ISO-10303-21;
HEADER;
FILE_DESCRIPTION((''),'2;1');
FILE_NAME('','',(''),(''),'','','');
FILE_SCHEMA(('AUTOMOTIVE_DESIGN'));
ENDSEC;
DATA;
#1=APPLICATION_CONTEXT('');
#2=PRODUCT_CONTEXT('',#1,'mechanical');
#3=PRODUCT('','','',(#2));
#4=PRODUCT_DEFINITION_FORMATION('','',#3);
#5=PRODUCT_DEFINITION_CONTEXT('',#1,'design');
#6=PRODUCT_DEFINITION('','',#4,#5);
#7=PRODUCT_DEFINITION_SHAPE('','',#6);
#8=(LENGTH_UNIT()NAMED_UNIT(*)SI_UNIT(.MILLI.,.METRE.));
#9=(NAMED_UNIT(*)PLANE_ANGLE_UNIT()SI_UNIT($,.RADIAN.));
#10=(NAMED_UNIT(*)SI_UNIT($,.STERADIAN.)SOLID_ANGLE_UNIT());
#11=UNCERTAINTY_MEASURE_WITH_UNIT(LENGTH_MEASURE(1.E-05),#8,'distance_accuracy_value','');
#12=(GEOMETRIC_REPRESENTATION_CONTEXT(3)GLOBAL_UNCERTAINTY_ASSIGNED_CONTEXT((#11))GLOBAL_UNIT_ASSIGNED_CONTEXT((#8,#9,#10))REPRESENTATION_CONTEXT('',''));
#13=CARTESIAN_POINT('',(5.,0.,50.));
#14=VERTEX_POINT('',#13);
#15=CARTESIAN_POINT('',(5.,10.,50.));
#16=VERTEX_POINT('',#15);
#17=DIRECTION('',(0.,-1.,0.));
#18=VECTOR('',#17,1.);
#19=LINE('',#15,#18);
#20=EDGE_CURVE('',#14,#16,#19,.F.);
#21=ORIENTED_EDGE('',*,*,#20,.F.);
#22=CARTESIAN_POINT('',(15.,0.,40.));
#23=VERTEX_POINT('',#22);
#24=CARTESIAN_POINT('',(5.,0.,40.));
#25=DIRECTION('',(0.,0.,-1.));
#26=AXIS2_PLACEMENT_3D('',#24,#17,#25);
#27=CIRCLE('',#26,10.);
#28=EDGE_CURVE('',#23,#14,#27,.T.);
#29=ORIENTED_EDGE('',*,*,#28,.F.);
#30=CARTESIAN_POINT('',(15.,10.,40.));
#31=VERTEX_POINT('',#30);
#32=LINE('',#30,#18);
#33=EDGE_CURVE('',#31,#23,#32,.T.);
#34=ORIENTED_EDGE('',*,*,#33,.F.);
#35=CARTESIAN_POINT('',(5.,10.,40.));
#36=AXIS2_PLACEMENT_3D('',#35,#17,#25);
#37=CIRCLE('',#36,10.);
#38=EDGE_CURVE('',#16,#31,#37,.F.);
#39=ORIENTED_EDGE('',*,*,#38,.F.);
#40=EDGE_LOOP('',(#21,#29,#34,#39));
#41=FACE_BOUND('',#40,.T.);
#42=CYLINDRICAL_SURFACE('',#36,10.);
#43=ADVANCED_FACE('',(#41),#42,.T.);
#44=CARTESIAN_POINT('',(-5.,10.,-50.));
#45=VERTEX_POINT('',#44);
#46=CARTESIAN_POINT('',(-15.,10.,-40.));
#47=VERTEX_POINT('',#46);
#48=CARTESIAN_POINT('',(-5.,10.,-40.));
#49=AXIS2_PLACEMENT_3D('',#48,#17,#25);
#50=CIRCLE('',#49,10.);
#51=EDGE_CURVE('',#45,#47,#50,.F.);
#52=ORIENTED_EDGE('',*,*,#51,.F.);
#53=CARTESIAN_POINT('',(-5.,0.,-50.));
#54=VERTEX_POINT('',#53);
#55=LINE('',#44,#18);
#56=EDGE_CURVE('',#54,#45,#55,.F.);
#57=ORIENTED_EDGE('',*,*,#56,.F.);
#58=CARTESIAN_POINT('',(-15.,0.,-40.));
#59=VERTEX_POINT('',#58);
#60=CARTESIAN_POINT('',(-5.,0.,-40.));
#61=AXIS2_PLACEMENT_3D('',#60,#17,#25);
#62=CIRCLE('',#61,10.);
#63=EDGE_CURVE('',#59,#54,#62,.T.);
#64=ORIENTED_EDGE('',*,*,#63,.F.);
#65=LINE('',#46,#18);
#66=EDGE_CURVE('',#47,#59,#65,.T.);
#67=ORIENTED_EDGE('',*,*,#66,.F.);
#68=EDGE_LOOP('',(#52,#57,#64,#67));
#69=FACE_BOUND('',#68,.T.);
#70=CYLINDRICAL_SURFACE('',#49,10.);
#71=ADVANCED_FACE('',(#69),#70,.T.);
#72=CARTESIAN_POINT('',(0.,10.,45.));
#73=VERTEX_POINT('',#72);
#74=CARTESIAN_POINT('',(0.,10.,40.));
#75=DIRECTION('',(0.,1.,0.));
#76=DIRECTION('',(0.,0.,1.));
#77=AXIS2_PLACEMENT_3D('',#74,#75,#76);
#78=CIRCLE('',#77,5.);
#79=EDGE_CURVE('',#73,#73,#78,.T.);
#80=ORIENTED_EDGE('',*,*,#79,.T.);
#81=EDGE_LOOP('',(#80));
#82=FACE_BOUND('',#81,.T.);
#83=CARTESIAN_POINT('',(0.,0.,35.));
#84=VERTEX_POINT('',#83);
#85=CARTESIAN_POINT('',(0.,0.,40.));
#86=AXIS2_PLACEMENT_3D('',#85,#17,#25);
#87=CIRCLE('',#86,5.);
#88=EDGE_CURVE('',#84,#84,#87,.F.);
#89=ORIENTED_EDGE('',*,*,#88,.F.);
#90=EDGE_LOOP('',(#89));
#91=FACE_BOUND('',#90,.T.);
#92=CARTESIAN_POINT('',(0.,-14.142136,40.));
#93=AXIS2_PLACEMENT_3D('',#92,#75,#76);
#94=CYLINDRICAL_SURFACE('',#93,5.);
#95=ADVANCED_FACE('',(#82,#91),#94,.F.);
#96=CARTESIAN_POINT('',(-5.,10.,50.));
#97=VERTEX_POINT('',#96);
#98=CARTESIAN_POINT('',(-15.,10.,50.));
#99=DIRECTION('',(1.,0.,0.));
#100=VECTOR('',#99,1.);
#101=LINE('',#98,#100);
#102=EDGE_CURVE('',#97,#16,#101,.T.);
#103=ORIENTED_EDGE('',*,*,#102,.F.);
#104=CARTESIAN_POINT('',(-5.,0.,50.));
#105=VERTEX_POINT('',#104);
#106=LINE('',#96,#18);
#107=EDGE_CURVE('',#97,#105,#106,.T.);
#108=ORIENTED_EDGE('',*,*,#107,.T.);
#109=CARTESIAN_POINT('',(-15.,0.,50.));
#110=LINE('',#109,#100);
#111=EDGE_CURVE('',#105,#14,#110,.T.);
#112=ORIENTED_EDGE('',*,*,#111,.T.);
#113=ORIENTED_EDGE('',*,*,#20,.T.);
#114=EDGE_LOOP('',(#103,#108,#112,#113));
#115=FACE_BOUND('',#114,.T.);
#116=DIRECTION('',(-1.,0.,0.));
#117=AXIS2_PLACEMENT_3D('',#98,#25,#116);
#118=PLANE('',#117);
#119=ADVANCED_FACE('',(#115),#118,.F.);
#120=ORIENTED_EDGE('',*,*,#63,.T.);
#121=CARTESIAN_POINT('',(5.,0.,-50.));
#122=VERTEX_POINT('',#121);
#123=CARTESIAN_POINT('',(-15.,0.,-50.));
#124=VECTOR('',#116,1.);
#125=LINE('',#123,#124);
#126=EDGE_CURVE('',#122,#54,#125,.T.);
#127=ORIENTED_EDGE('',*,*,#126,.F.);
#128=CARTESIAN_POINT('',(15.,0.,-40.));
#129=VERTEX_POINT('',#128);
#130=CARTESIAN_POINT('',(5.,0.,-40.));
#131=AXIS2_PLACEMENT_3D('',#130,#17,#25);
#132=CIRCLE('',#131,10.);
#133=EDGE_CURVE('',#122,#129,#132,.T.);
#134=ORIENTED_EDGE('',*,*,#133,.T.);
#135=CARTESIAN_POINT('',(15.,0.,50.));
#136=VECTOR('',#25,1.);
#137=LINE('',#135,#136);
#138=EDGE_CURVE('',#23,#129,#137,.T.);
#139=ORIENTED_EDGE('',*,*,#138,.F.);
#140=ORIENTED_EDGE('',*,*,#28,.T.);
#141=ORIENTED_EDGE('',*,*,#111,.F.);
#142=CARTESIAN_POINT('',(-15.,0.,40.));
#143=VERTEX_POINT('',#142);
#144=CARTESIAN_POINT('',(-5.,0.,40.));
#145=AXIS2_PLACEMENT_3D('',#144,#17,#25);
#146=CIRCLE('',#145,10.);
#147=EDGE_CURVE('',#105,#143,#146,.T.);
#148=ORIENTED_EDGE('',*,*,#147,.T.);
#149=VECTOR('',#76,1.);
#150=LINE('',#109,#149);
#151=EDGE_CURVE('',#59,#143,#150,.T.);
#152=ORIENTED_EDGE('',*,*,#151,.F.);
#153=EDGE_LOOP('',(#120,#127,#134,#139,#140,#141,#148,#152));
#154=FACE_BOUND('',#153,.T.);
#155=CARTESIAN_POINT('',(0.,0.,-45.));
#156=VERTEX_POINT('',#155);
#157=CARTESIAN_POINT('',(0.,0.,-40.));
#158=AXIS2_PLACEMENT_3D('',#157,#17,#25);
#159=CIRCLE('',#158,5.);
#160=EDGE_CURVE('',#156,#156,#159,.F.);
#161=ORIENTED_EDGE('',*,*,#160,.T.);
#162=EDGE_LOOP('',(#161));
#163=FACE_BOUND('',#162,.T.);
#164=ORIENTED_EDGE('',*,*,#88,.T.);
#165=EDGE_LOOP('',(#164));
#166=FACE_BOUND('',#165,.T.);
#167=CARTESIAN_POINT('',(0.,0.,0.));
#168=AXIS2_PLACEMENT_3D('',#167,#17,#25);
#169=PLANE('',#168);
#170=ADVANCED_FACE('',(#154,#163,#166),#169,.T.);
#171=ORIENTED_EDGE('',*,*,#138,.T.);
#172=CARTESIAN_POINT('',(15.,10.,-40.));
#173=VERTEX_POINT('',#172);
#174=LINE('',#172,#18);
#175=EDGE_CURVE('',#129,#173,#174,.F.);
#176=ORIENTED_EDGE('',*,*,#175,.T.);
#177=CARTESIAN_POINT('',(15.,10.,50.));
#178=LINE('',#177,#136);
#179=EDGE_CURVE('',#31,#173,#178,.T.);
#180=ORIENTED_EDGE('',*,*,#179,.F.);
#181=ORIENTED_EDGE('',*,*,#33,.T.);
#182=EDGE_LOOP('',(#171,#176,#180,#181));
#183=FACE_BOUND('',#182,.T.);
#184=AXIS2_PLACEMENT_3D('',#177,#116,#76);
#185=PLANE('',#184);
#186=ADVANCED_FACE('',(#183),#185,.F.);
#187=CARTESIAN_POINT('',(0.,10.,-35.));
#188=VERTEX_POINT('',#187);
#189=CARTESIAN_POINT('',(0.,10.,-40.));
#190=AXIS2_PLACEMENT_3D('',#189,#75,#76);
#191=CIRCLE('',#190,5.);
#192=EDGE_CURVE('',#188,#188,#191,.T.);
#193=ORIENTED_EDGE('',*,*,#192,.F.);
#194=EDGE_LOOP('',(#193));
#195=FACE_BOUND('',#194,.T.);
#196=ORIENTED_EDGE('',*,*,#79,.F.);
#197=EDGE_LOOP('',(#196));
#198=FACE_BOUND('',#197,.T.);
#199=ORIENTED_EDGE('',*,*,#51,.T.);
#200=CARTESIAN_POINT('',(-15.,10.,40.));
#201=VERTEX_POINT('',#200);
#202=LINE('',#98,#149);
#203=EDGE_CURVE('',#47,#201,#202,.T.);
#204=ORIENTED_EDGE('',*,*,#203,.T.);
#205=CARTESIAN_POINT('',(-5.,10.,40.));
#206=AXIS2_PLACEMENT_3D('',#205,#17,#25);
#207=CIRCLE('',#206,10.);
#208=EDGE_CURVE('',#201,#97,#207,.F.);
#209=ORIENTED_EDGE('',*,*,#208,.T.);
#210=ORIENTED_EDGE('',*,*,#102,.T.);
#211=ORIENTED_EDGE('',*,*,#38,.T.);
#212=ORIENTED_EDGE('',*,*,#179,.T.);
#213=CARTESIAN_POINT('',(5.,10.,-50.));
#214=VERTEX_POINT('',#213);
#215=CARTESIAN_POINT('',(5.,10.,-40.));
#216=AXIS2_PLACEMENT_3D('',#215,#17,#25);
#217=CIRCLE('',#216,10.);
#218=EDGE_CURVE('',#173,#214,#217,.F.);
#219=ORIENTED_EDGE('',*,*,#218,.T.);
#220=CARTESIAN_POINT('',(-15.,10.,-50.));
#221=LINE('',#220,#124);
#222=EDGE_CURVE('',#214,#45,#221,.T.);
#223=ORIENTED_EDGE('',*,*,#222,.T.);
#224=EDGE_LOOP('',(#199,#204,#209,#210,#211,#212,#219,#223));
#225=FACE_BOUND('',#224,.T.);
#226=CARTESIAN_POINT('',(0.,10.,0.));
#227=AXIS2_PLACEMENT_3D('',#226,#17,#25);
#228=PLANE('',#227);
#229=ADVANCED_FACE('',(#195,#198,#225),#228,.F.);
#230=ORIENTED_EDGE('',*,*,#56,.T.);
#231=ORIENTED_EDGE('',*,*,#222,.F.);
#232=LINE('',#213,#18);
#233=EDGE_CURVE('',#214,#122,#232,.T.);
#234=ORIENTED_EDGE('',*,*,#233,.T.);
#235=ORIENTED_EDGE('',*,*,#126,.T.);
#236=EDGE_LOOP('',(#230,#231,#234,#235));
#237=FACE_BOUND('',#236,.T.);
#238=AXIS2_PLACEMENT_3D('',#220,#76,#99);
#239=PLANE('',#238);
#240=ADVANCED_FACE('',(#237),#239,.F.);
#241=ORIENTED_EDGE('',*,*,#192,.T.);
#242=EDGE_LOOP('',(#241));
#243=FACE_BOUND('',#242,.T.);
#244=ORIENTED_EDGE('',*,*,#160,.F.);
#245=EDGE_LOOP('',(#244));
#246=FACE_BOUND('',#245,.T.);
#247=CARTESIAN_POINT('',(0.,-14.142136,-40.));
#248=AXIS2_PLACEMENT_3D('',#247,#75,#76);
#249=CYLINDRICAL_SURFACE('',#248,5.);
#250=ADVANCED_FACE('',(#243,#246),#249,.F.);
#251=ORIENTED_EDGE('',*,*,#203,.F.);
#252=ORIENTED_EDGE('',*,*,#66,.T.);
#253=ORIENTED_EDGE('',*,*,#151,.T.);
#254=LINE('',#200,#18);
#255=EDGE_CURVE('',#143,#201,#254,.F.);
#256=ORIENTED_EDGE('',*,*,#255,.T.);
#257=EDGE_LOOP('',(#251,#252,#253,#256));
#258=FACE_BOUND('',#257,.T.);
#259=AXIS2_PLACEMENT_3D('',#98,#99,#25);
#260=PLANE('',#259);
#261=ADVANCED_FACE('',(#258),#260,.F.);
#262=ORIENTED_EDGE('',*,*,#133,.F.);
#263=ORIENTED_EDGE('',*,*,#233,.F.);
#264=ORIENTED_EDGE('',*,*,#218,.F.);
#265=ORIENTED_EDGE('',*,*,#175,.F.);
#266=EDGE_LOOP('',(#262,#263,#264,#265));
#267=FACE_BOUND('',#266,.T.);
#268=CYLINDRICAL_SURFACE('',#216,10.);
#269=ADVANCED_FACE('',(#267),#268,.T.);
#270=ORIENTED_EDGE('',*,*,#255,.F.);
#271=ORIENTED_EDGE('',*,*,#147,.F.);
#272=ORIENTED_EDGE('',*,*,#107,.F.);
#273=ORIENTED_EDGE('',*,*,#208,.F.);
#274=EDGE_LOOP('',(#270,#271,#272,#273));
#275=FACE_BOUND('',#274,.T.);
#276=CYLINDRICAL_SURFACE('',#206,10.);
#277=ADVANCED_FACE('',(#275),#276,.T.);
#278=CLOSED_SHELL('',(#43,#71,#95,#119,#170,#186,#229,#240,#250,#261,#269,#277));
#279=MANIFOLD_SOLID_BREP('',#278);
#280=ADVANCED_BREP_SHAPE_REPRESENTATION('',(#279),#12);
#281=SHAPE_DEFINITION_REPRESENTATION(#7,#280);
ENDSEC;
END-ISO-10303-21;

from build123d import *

# Parameters (mm, degrees)
SKETCH1_W           = 30
SKETCH1_H           = 100
BOSS_EXTRUDE1_DEPTH = 10
SKETCH2_R           = 5
CUT_EXTRUDE1_DEPTH  = 10
FILLET1_R           = 10
FILLET2_R           = 10


with BuildPart() as part:
    # Sketch1 → Boss-Extrude1 (new body)
    with BuildSketch(Plane(origin=(0, 0, 0), x_dir=(1, 0, 0), z_dir=(0, 1, 0))):
        Rectangle(SKETCH1_W, SKETCH1_H)
    extrude(amount=BOSS_EXTRUDE1_DEPTH)

    # Sketch2 → Cut-Extrude1 (cut)
    with BuildSketch(Plane(origin=(0, 10, 0), x_dir=(1, 0, 0), z_dir=(0, 1, 0))):
        with Locations(Location((0, 40, 0), (0, 0, 270))):
            Circle(SKETCH2_R)
        with Locations(Location((0, -40, 0), (0, 0, 270))):
            Circle(SKETCH2_R)
    extrude(amount=-CUT_EXTRUDE1_DEPTH, mode=Mode.SUBTRACT)

    # Fillet1
    fillet1_edges = [part.edges().sort_by_distance(p)[0] for p in [
        (15, 5, 50),
        (-15, 5, 50),
    ]]
    fillet(fillet1_edges, radius=FILLET1_R)

    # Fillet2
    fillet2_edges = [part.edges().sort_by_distance(p)[0] for p in [
        (-15, 5, -50),
        (15, 5, -50),
    ]]
    fillet(fillet2_edges, radius=FILLET2_R)


solid = part.part
